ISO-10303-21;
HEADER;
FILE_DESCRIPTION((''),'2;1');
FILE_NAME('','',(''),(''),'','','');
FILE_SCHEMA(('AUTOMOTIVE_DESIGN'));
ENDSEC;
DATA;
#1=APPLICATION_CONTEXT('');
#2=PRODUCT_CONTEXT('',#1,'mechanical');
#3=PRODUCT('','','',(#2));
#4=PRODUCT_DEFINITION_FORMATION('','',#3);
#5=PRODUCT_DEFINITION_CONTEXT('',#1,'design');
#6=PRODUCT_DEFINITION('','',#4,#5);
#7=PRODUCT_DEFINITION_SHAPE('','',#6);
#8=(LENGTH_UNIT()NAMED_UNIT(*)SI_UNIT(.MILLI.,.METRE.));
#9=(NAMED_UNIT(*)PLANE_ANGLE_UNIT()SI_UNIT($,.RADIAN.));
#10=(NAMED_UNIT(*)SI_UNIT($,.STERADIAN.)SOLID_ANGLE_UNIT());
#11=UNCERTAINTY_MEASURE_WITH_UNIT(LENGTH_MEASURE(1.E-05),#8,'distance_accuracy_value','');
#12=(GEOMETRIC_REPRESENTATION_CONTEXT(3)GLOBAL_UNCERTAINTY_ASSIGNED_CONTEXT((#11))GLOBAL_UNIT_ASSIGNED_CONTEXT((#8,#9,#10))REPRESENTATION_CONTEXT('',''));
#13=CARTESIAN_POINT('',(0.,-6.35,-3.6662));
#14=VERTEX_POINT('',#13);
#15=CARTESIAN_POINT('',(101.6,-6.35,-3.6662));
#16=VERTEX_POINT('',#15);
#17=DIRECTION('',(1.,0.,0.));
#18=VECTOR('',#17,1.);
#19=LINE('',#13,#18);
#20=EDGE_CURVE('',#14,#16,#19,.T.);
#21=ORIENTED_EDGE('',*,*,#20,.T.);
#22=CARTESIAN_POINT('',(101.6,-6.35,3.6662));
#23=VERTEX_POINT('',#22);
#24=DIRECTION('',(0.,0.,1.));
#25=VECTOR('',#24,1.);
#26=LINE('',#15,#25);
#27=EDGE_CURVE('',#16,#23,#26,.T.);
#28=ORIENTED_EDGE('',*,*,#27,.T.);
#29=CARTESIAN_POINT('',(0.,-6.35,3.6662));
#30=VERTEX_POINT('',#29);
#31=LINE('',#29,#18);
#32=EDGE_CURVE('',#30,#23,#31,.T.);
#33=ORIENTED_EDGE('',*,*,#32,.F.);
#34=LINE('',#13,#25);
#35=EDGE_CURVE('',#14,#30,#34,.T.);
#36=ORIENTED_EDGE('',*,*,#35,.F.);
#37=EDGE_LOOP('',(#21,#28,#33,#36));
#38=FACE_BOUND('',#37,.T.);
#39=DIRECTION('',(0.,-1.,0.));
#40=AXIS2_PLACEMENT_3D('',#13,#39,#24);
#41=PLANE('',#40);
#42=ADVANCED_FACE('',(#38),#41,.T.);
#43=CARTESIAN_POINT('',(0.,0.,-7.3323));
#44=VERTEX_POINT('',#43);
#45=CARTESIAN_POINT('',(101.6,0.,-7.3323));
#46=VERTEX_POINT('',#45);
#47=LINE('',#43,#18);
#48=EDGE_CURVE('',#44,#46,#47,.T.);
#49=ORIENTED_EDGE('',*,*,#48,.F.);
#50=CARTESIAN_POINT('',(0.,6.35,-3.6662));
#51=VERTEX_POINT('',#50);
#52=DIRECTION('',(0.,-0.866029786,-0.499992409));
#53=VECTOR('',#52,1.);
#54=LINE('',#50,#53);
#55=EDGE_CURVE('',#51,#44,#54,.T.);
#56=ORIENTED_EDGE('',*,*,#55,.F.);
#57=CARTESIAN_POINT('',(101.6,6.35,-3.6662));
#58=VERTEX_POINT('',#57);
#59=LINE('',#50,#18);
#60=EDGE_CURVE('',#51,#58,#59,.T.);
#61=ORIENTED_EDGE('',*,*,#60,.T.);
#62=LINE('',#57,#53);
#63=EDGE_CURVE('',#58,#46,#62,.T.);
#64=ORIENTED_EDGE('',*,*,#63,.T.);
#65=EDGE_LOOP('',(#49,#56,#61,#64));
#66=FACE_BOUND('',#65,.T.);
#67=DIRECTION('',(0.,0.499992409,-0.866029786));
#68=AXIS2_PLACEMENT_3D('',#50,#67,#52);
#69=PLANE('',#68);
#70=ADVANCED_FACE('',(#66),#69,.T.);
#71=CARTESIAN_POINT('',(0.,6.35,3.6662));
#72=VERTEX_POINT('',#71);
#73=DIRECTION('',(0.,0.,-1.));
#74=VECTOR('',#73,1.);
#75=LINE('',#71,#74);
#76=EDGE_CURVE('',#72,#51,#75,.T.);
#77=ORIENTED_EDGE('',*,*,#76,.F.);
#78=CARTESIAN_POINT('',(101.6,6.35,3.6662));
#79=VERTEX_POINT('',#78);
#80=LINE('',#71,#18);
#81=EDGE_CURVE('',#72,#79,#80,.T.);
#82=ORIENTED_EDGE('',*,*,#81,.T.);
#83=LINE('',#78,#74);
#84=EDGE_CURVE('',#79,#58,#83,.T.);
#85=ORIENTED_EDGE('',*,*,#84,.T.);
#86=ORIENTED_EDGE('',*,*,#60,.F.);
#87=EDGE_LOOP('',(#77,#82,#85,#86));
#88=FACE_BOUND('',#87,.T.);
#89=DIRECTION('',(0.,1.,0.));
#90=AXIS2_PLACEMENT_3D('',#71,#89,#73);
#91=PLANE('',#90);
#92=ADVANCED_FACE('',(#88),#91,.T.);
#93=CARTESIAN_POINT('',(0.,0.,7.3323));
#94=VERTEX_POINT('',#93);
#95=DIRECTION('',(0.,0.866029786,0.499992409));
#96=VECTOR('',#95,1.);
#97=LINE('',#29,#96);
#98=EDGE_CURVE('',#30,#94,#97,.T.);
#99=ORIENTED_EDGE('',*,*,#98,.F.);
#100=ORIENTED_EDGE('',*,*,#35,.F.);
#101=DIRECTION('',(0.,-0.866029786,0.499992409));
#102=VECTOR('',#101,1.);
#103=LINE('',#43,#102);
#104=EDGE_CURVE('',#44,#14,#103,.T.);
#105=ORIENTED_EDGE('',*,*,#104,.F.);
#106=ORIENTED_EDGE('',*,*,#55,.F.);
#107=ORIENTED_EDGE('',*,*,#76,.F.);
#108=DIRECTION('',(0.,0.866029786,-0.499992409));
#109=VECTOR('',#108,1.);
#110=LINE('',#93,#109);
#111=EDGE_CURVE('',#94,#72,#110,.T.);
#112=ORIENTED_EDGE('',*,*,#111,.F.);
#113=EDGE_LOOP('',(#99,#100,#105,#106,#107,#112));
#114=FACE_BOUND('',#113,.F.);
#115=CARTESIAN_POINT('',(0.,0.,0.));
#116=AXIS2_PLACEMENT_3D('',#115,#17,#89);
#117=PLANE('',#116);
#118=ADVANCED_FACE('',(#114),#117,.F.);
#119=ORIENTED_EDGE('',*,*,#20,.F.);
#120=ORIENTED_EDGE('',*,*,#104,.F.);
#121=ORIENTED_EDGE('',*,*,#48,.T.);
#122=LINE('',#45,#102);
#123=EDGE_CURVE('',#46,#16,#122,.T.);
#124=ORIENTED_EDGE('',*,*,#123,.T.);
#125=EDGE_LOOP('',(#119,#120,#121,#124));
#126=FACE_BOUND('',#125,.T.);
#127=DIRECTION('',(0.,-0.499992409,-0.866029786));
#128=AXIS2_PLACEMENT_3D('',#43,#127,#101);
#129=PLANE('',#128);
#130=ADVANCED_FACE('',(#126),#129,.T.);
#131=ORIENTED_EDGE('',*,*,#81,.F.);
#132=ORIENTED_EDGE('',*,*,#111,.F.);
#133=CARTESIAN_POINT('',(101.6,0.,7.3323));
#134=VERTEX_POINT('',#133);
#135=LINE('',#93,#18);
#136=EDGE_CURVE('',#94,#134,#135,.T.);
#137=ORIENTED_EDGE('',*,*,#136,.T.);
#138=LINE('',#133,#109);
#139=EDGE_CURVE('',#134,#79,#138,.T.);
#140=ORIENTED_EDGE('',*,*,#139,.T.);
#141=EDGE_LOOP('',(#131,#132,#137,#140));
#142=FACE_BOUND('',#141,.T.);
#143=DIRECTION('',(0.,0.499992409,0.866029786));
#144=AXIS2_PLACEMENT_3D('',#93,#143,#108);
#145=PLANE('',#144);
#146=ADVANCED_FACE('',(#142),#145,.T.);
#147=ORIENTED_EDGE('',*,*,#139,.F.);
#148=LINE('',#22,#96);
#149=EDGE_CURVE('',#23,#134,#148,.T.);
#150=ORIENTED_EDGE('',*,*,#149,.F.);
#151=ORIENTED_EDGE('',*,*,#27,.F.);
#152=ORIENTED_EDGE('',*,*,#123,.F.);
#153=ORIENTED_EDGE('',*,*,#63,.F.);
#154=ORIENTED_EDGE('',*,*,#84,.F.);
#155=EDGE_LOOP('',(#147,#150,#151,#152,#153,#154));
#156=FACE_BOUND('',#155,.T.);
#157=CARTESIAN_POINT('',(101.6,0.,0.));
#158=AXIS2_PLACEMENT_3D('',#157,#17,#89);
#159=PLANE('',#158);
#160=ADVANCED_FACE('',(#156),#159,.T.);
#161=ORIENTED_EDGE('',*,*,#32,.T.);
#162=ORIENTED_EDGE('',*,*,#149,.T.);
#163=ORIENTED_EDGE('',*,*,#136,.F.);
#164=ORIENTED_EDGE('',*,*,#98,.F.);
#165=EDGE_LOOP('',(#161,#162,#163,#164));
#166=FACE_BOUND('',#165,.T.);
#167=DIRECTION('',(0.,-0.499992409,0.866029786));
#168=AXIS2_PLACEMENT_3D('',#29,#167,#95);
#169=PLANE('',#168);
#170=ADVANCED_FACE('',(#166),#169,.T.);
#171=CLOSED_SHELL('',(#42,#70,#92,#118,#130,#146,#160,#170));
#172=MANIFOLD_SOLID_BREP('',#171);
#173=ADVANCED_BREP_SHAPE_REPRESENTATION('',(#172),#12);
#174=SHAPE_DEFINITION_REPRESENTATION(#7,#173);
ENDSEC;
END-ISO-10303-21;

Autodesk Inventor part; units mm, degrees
ref_plane "YZ Plane" through (0, 0, 0) normal (1, 0, 0) x (0, 1, 0)
ref_plane "XZ Plane" through (0, 0, 0) normal (0, 1, 0) x (-1, 0, 0)
ref_plane "XY Plane" through (0, 0, 0) normal (0, 0, 1) x (1, 0, 0)
sketch "Sketch1" plane through (0, 0, 0) normal (1, 0, 0) x (0, 1, 0)
  line L0 (0, 0) -> (6.35, 0) construction
  line L1 (6.35, -3.6662) -> (0, -7.3323)
  line L2 (0, -7.3323) -> (-6.35, -3.6662)
  line L3 (-6.35, -3.6662) -> (-6.35, 3.6662)
  line L4 (-6.35, 3.6662) -> (0, 7.3323)
  line L5 (0, 7.3323) -> (6.35, 3.6662)
  line L6 (6.35, 3.6662) -> (6.35, -3.6662)
  dimension "d0" = 6.35
extrude "Extrusion1" add sketch "Sketch1" along normal blind 101.6
properties part number "3.5in Hex Shaft Top Roller Wheel"
